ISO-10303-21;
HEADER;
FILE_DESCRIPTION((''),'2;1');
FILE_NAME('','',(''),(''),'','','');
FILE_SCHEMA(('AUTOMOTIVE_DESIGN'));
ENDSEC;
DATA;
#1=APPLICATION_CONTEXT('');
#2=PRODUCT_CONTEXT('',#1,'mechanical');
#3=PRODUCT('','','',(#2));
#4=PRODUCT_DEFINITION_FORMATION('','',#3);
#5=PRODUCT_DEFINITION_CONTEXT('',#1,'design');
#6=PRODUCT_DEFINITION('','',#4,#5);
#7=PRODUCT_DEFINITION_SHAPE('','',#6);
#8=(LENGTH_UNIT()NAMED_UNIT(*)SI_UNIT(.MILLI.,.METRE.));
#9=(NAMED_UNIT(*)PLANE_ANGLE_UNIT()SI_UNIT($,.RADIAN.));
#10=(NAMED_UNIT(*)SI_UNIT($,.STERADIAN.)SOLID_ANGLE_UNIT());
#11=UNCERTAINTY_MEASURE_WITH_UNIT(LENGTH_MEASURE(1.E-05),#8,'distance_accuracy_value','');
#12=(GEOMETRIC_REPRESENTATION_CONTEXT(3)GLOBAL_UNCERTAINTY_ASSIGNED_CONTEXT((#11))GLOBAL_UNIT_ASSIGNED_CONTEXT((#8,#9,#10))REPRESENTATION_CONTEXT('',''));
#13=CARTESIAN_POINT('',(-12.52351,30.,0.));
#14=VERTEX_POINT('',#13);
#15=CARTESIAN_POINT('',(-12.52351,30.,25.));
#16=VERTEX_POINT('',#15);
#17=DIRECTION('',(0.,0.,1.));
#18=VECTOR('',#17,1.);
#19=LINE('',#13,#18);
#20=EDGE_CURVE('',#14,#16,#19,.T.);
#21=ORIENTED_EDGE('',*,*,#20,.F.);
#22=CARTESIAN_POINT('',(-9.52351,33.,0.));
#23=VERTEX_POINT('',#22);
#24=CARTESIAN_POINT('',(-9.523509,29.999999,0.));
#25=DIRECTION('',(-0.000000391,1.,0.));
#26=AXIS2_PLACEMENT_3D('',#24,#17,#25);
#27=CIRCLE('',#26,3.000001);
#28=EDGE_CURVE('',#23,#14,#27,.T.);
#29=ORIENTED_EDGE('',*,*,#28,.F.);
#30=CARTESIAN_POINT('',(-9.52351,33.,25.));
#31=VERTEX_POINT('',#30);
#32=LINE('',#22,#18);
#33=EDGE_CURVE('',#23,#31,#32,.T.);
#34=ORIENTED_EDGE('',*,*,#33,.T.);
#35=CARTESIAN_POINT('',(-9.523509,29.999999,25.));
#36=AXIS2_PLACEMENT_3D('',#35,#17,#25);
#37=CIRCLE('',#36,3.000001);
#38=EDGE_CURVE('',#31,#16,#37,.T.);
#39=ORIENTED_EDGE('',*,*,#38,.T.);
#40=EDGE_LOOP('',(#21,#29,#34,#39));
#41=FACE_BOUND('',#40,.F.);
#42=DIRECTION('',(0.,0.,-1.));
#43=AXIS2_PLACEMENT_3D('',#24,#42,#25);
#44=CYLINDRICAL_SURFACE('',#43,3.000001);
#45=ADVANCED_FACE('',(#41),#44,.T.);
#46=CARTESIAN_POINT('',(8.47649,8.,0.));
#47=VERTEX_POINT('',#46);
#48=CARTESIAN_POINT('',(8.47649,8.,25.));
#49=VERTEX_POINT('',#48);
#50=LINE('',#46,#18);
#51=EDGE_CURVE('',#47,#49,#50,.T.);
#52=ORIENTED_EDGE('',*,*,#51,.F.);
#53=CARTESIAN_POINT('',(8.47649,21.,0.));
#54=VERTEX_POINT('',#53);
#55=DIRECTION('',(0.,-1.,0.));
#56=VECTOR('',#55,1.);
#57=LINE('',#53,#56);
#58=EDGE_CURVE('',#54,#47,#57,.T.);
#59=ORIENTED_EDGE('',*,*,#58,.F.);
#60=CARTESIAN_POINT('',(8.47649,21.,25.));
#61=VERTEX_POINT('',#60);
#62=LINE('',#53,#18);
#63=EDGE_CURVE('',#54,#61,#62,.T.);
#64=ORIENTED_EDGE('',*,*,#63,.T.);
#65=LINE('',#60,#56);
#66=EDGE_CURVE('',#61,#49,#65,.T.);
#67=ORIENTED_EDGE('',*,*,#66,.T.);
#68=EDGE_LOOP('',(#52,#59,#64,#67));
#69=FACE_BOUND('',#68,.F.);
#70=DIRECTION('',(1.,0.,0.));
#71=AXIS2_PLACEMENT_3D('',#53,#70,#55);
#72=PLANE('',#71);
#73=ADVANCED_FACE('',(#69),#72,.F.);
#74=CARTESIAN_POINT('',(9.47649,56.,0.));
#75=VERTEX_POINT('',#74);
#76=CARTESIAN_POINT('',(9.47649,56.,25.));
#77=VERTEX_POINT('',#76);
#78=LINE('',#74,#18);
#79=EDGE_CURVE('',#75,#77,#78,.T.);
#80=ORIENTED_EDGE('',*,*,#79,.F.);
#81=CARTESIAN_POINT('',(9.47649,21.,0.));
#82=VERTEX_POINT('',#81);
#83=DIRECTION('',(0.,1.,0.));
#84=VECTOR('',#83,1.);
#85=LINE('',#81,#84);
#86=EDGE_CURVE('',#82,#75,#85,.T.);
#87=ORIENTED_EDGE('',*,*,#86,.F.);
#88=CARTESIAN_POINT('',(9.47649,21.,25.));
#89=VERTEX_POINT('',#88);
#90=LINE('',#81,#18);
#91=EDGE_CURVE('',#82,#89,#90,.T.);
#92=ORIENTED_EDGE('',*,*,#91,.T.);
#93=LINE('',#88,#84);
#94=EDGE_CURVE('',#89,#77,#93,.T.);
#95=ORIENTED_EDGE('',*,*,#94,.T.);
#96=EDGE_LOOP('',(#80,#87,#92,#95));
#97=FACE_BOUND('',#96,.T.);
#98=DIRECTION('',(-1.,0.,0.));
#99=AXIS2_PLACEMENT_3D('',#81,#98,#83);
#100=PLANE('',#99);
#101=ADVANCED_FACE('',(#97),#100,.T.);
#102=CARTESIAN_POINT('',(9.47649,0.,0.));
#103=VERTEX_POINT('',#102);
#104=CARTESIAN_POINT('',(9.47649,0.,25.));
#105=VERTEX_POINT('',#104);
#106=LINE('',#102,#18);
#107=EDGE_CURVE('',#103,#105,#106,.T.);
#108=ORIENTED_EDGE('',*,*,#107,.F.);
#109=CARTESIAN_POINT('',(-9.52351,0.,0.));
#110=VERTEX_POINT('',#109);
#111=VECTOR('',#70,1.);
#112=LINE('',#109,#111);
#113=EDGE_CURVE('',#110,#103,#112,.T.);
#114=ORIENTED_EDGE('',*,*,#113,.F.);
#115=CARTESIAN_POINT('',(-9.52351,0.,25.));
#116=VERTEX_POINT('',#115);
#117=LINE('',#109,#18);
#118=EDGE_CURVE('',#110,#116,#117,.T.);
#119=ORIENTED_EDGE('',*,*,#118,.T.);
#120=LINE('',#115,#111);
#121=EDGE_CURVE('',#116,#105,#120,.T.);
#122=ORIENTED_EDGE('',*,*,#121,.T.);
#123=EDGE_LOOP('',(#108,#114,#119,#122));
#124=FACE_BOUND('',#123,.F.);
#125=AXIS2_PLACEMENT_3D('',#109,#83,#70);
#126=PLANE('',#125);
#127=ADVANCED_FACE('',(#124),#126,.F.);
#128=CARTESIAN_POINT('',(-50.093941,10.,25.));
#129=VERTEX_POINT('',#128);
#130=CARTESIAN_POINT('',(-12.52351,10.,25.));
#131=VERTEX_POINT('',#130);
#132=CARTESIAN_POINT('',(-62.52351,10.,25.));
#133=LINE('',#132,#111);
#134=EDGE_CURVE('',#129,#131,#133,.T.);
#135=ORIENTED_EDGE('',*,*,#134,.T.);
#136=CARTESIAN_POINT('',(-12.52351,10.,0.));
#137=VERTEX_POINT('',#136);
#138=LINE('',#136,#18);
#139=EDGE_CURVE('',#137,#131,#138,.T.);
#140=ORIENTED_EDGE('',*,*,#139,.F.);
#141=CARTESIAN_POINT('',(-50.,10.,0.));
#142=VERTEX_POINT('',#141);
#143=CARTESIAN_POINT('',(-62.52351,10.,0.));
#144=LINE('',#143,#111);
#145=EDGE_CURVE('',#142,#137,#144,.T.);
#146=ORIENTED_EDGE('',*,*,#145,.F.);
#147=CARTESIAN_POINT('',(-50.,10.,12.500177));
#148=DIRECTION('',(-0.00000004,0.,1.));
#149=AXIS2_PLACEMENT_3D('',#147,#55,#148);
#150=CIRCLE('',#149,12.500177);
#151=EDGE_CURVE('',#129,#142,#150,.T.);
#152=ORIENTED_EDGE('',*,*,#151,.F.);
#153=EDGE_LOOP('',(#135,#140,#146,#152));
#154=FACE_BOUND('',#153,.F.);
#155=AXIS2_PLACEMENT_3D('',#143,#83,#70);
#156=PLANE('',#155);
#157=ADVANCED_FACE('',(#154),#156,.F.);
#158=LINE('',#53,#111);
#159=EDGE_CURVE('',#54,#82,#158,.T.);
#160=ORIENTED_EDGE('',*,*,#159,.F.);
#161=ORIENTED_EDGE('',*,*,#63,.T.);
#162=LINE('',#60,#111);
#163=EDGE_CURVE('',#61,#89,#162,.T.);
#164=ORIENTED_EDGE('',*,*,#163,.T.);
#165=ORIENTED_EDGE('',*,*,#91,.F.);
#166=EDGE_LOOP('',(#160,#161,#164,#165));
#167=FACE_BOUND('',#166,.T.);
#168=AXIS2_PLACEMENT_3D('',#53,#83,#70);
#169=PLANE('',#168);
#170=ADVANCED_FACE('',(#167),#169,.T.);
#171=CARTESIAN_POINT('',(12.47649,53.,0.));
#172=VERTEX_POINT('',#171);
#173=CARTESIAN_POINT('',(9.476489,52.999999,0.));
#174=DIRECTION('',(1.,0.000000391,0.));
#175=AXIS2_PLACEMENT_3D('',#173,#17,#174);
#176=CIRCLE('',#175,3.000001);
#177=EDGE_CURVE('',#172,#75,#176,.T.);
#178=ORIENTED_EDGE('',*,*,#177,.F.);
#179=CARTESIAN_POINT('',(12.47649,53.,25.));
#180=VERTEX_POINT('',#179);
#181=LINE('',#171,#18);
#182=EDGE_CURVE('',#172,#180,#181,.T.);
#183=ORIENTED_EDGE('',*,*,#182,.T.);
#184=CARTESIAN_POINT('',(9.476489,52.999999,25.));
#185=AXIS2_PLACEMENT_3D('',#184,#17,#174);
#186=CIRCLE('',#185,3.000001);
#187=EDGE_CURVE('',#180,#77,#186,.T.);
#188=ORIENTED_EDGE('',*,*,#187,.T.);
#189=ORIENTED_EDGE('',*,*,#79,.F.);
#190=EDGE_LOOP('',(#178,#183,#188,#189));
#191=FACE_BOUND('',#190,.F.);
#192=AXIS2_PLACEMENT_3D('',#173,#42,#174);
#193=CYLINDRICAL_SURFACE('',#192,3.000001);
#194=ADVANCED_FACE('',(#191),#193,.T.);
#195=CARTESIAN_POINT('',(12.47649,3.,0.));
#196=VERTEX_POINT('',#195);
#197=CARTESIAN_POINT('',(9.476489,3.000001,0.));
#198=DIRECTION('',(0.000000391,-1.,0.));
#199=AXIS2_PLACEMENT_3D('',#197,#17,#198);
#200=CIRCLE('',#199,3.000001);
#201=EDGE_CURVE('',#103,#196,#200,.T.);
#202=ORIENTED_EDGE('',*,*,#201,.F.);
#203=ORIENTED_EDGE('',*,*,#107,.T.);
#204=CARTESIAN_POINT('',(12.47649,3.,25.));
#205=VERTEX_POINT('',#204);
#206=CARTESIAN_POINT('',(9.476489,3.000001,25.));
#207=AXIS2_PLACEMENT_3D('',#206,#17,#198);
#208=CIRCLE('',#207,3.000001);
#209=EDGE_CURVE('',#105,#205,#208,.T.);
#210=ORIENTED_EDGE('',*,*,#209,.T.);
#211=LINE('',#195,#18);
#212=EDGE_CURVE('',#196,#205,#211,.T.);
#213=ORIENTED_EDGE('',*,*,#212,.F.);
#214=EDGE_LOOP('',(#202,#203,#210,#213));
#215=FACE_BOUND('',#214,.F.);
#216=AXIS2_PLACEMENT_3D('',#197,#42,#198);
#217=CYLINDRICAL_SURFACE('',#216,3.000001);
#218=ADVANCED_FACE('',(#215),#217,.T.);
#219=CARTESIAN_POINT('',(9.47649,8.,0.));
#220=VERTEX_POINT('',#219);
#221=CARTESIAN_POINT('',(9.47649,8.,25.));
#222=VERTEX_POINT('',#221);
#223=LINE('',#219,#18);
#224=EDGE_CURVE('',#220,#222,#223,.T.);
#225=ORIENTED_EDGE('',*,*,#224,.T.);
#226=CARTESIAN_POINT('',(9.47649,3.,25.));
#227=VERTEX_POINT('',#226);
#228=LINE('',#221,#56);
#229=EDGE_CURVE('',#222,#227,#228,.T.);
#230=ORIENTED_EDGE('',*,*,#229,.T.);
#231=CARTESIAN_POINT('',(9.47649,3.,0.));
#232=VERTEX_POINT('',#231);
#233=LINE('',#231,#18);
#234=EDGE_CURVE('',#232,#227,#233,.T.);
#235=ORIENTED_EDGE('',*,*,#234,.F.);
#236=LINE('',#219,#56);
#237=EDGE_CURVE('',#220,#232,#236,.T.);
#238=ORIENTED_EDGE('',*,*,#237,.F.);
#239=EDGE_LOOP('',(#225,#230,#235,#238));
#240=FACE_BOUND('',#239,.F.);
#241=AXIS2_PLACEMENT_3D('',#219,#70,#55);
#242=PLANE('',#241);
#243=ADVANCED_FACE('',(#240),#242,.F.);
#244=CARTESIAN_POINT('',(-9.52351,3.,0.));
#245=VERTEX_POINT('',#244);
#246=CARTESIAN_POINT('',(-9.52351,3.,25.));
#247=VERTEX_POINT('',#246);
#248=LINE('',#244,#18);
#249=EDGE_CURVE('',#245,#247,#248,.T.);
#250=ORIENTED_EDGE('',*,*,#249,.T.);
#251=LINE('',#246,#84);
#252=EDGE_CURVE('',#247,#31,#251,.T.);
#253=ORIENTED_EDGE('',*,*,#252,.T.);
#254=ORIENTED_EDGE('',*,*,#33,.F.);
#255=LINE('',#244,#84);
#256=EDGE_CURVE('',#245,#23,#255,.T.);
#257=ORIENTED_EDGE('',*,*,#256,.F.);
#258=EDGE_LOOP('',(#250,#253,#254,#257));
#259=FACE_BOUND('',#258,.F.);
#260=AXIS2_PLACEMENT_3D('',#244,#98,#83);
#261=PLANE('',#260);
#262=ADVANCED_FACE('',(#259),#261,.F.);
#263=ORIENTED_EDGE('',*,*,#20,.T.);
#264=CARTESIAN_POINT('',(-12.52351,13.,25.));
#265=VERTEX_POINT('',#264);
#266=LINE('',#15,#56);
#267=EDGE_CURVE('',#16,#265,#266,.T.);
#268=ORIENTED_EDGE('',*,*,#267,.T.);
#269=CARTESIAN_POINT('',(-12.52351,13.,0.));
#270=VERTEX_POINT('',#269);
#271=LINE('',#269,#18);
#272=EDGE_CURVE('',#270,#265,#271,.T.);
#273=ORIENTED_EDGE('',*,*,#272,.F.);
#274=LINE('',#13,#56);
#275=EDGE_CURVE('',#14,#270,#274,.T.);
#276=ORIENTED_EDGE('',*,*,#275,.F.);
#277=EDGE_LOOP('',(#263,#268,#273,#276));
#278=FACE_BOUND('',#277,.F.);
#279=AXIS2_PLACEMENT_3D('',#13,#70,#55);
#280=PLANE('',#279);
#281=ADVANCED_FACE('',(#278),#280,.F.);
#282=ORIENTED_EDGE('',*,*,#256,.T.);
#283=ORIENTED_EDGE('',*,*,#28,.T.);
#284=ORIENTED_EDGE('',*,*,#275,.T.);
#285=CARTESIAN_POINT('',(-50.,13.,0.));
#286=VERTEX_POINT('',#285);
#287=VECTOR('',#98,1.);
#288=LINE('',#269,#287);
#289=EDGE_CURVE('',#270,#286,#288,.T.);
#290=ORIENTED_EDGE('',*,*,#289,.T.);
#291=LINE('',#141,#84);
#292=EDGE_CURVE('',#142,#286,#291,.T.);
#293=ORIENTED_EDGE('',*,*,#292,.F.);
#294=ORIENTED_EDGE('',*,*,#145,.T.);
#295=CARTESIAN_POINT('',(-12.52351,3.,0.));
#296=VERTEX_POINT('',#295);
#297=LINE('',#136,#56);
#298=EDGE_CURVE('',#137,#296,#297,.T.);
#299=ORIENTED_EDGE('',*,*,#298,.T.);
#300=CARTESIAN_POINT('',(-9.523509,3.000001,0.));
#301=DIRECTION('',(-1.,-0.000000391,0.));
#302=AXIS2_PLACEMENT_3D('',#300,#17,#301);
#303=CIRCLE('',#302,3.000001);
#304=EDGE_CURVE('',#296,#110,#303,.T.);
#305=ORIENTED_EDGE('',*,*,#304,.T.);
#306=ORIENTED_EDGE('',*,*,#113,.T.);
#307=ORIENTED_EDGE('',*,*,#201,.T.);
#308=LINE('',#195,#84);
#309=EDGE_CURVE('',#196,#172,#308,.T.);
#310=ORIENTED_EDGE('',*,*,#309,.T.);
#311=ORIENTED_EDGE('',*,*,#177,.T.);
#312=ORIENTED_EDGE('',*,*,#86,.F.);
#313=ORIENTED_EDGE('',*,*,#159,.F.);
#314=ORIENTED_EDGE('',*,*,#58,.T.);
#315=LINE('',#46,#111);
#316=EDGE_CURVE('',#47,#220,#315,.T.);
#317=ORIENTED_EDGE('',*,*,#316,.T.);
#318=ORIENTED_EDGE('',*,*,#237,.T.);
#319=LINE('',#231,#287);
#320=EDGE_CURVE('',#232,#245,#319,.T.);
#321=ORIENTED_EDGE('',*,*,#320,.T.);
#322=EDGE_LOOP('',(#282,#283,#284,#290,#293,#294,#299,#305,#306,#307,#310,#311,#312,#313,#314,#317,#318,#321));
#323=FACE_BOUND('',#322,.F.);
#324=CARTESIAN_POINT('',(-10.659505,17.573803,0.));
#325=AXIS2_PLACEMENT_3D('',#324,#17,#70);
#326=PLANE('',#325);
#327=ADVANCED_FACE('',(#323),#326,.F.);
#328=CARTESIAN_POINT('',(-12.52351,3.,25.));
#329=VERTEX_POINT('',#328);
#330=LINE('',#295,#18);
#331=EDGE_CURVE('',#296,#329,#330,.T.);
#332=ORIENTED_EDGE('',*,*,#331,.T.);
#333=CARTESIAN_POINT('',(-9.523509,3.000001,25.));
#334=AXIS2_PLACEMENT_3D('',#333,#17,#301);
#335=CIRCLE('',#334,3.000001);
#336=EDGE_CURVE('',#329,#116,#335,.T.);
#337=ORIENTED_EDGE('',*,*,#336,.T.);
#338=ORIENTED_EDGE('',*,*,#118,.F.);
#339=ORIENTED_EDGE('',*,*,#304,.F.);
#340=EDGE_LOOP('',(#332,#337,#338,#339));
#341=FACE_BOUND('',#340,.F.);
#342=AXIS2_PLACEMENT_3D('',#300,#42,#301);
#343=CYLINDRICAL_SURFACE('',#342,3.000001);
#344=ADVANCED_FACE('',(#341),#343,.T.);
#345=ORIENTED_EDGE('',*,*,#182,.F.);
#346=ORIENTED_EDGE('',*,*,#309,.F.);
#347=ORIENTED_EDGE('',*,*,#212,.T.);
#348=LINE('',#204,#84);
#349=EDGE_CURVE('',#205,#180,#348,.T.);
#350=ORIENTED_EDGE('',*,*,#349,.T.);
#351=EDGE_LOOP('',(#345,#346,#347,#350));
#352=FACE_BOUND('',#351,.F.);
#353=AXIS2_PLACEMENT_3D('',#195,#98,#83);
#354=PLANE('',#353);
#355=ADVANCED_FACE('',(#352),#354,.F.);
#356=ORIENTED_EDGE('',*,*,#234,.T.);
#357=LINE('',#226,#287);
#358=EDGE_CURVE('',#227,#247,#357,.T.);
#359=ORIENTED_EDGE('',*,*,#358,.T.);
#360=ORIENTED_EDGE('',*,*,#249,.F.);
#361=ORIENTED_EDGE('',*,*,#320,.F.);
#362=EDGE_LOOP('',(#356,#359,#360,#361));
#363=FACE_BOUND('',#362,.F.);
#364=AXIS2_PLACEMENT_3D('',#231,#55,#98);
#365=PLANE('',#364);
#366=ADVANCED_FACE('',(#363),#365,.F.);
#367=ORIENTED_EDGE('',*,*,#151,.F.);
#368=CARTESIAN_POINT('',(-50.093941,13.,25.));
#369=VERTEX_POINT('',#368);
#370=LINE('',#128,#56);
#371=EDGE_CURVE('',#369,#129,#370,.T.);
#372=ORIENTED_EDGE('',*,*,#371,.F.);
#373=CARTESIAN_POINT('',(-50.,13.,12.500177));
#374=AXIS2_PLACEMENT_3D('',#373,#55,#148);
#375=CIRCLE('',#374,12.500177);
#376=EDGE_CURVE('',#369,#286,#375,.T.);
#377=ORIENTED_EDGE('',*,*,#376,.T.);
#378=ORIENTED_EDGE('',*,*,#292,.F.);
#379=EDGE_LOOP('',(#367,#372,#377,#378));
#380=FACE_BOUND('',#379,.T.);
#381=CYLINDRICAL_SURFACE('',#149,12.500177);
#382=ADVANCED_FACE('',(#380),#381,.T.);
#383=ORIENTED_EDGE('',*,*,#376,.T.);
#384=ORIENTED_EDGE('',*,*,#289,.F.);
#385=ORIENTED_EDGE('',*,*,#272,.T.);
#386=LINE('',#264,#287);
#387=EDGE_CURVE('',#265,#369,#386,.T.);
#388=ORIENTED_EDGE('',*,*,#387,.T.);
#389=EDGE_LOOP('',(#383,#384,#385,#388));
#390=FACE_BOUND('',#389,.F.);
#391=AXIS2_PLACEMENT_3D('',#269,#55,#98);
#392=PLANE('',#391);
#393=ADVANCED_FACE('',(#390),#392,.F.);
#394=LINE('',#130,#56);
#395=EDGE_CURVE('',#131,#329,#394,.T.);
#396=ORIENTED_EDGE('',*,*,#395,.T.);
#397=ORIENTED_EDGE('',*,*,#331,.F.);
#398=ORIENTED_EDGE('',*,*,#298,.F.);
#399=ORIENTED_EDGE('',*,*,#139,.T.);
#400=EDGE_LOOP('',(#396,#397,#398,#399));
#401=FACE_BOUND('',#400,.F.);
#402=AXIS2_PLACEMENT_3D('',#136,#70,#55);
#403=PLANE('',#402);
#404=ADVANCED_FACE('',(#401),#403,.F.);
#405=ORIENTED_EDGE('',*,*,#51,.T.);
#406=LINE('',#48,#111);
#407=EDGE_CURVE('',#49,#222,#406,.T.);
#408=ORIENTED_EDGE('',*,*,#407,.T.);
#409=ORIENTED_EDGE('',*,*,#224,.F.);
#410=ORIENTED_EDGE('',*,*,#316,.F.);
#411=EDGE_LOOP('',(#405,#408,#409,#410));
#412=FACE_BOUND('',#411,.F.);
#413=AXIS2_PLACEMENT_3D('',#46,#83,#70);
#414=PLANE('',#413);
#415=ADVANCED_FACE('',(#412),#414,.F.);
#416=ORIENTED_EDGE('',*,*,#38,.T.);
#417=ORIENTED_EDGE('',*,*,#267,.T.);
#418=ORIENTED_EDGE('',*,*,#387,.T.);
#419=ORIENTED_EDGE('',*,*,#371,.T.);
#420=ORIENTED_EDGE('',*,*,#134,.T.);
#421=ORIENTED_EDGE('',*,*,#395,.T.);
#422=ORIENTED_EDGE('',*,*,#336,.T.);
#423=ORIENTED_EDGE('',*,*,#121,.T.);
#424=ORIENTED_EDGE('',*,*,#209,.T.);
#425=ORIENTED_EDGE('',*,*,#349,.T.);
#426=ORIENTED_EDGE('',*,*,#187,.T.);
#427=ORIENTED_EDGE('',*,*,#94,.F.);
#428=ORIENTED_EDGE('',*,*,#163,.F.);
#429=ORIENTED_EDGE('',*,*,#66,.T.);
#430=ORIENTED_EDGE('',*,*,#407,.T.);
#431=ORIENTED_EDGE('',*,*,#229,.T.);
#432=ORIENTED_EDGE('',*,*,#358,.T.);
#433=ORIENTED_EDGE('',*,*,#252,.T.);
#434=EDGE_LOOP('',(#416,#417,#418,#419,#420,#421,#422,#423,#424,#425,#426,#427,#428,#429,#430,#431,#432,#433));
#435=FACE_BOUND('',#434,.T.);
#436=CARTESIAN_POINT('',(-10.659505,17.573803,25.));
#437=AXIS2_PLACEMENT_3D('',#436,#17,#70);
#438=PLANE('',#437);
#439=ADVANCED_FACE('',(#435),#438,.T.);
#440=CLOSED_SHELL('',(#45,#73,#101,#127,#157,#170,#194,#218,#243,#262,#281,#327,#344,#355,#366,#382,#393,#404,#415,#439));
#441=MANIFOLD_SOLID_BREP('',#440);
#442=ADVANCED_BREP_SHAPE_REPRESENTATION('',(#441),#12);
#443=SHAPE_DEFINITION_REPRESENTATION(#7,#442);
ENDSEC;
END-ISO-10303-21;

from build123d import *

# Parameters (mm, degrees)
PAD_DEPTH    = 25
POCKET_DEPTH = 5


with BuildPart() as part:
    # Sketch → Pad (new body)
    with BuildSketch(Plane.XY):
        with BuildLine():
            Line((0, 0), (9.47649, 0))
            ThreePointArc((9.47649, 0), (11.59781, 0.87868), (12.47649, 3))
            Line((12.47649, 3), (12.47649, 53))
            ThreePointArc((12.47649, 53), (11.59781, 55.12132), (9.47649, 56))
            Line((9.47649, 21), (9.47649, 56))
            Line((8.47649, 21), (9.47649, 21))
            Line((8.47649, 21), (8.47649, 8))
            Line((8.47649, 8), (9.47649, 8))
            Line((9.47649, 8), (9.47649, 3))
            Line((9.47649, 3), (-9.52351, 3))
            Line((-9.52351, 3), (-9.52351, 33))
            ThreePointArc((-9.52351, 33), (-11.64483, 32.12132), (-12.52351, 30))
            Line((-12.52351, 30), (-12.52351, 13))
            Line((-12.52351, 13), (-62.52351, 13))
            Line((-62.52351, 13), (-62.52351, 10))
            Line((-62.52351, 10), (-12.52351, 10))
            Line((-12.52351, 10), (-12.52351, 3))
            ThreePointArc((-12.52351, 3), (-11.64483, 0.87868), (-9.52351, 0))
            Line((-9.52351, 0), (0, 0))
        make_face()
    extrude(amount=PAD_DEPTH)

    # Sketch001 (on Face10 of Pad) → Pocket (cut)
    with BuildSketch(Plane.XZ.offset(-10)):
        with BuildLine():
            ThreePointArc((-50, 25.000353), (-62.500176, 12.500176), (-50, 0))
            Line((-50, -4.568982), (-50, 0))
            Line((-68, -4.568982), (-50, -4.568982))
            Line((-68, 31), (-68, -4.568982))
            Line((-50, 31), (-68, 31))
            Line((-50, 25.000353), (-50, 31))
        make_face()
    extrude(amount=-POCKET_DEPTH, mode=Mode.SUBTRACT)


solid = part.part
